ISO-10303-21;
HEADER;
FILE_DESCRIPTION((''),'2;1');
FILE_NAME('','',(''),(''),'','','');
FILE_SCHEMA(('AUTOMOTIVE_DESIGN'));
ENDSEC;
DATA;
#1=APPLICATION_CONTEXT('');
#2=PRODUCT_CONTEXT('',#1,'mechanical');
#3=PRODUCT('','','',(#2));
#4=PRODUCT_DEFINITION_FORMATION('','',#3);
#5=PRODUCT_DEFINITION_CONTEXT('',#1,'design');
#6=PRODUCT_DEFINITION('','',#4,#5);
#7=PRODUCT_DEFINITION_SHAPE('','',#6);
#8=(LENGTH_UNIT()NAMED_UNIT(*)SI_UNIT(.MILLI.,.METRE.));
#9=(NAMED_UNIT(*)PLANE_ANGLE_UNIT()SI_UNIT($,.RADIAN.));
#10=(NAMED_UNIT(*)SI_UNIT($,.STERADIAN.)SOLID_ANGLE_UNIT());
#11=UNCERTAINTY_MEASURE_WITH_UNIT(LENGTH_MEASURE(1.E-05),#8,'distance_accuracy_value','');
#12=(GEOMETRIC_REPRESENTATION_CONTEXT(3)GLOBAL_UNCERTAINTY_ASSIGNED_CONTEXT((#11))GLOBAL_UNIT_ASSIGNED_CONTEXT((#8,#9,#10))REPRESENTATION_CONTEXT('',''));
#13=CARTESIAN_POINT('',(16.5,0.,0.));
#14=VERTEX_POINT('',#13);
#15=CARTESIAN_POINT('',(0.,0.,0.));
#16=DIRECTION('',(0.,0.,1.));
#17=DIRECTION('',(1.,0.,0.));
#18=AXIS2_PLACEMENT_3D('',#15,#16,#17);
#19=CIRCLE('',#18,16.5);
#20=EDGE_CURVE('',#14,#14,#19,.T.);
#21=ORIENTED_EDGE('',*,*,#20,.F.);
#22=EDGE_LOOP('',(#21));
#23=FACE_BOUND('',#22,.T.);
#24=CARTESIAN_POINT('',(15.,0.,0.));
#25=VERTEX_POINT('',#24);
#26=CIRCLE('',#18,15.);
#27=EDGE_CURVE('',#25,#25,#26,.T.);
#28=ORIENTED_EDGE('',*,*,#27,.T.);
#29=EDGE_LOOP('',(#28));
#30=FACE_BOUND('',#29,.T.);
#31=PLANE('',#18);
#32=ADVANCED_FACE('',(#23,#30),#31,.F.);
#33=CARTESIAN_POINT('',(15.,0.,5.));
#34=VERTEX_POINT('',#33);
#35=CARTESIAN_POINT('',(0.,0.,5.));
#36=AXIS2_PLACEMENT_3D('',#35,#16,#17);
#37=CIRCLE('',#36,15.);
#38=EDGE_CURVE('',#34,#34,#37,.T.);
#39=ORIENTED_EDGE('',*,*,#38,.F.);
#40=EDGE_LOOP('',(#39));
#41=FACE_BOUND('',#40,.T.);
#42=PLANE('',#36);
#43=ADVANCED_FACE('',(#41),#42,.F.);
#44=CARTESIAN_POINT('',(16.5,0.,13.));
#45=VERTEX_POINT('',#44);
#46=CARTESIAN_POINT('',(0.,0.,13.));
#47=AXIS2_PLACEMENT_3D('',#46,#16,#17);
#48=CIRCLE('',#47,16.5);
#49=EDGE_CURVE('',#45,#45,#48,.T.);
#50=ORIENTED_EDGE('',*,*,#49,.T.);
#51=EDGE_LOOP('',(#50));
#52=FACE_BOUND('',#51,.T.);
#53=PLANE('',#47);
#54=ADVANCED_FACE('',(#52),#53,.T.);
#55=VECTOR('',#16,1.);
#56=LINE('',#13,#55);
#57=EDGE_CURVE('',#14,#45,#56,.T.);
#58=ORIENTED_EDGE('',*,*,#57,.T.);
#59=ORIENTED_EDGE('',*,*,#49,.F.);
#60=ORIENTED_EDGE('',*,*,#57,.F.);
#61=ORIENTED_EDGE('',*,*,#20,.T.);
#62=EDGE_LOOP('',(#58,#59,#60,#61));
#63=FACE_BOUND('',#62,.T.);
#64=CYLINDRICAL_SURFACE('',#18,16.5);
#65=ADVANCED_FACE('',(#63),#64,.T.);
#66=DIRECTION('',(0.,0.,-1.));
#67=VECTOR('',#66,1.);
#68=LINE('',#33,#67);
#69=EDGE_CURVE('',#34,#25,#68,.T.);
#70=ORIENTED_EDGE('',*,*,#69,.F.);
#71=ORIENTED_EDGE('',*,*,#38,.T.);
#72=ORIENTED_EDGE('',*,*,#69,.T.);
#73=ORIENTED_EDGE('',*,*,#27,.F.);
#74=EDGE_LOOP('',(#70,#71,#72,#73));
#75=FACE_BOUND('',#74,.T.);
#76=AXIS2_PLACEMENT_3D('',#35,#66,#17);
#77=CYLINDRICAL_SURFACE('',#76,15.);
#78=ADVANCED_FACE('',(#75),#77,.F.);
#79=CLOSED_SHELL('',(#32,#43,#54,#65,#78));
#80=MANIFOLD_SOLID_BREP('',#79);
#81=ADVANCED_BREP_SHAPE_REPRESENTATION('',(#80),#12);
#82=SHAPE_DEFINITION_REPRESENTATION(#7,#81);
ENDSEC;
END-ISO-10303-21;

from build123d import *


with BuildPart() as part:
    # Sketch (on XZ_Plane of Origin) → Revolution (revolve)
    with BuildSketch(Plane.XZ):
        Polygon((0, 13), (0, 5), (15, 5), (15, 0), (16.5, 0), (16.5, 13), align=None)
    revolve(axis=Axis((0, 0, 0), (0, 0, 1)))


solid = part.part
